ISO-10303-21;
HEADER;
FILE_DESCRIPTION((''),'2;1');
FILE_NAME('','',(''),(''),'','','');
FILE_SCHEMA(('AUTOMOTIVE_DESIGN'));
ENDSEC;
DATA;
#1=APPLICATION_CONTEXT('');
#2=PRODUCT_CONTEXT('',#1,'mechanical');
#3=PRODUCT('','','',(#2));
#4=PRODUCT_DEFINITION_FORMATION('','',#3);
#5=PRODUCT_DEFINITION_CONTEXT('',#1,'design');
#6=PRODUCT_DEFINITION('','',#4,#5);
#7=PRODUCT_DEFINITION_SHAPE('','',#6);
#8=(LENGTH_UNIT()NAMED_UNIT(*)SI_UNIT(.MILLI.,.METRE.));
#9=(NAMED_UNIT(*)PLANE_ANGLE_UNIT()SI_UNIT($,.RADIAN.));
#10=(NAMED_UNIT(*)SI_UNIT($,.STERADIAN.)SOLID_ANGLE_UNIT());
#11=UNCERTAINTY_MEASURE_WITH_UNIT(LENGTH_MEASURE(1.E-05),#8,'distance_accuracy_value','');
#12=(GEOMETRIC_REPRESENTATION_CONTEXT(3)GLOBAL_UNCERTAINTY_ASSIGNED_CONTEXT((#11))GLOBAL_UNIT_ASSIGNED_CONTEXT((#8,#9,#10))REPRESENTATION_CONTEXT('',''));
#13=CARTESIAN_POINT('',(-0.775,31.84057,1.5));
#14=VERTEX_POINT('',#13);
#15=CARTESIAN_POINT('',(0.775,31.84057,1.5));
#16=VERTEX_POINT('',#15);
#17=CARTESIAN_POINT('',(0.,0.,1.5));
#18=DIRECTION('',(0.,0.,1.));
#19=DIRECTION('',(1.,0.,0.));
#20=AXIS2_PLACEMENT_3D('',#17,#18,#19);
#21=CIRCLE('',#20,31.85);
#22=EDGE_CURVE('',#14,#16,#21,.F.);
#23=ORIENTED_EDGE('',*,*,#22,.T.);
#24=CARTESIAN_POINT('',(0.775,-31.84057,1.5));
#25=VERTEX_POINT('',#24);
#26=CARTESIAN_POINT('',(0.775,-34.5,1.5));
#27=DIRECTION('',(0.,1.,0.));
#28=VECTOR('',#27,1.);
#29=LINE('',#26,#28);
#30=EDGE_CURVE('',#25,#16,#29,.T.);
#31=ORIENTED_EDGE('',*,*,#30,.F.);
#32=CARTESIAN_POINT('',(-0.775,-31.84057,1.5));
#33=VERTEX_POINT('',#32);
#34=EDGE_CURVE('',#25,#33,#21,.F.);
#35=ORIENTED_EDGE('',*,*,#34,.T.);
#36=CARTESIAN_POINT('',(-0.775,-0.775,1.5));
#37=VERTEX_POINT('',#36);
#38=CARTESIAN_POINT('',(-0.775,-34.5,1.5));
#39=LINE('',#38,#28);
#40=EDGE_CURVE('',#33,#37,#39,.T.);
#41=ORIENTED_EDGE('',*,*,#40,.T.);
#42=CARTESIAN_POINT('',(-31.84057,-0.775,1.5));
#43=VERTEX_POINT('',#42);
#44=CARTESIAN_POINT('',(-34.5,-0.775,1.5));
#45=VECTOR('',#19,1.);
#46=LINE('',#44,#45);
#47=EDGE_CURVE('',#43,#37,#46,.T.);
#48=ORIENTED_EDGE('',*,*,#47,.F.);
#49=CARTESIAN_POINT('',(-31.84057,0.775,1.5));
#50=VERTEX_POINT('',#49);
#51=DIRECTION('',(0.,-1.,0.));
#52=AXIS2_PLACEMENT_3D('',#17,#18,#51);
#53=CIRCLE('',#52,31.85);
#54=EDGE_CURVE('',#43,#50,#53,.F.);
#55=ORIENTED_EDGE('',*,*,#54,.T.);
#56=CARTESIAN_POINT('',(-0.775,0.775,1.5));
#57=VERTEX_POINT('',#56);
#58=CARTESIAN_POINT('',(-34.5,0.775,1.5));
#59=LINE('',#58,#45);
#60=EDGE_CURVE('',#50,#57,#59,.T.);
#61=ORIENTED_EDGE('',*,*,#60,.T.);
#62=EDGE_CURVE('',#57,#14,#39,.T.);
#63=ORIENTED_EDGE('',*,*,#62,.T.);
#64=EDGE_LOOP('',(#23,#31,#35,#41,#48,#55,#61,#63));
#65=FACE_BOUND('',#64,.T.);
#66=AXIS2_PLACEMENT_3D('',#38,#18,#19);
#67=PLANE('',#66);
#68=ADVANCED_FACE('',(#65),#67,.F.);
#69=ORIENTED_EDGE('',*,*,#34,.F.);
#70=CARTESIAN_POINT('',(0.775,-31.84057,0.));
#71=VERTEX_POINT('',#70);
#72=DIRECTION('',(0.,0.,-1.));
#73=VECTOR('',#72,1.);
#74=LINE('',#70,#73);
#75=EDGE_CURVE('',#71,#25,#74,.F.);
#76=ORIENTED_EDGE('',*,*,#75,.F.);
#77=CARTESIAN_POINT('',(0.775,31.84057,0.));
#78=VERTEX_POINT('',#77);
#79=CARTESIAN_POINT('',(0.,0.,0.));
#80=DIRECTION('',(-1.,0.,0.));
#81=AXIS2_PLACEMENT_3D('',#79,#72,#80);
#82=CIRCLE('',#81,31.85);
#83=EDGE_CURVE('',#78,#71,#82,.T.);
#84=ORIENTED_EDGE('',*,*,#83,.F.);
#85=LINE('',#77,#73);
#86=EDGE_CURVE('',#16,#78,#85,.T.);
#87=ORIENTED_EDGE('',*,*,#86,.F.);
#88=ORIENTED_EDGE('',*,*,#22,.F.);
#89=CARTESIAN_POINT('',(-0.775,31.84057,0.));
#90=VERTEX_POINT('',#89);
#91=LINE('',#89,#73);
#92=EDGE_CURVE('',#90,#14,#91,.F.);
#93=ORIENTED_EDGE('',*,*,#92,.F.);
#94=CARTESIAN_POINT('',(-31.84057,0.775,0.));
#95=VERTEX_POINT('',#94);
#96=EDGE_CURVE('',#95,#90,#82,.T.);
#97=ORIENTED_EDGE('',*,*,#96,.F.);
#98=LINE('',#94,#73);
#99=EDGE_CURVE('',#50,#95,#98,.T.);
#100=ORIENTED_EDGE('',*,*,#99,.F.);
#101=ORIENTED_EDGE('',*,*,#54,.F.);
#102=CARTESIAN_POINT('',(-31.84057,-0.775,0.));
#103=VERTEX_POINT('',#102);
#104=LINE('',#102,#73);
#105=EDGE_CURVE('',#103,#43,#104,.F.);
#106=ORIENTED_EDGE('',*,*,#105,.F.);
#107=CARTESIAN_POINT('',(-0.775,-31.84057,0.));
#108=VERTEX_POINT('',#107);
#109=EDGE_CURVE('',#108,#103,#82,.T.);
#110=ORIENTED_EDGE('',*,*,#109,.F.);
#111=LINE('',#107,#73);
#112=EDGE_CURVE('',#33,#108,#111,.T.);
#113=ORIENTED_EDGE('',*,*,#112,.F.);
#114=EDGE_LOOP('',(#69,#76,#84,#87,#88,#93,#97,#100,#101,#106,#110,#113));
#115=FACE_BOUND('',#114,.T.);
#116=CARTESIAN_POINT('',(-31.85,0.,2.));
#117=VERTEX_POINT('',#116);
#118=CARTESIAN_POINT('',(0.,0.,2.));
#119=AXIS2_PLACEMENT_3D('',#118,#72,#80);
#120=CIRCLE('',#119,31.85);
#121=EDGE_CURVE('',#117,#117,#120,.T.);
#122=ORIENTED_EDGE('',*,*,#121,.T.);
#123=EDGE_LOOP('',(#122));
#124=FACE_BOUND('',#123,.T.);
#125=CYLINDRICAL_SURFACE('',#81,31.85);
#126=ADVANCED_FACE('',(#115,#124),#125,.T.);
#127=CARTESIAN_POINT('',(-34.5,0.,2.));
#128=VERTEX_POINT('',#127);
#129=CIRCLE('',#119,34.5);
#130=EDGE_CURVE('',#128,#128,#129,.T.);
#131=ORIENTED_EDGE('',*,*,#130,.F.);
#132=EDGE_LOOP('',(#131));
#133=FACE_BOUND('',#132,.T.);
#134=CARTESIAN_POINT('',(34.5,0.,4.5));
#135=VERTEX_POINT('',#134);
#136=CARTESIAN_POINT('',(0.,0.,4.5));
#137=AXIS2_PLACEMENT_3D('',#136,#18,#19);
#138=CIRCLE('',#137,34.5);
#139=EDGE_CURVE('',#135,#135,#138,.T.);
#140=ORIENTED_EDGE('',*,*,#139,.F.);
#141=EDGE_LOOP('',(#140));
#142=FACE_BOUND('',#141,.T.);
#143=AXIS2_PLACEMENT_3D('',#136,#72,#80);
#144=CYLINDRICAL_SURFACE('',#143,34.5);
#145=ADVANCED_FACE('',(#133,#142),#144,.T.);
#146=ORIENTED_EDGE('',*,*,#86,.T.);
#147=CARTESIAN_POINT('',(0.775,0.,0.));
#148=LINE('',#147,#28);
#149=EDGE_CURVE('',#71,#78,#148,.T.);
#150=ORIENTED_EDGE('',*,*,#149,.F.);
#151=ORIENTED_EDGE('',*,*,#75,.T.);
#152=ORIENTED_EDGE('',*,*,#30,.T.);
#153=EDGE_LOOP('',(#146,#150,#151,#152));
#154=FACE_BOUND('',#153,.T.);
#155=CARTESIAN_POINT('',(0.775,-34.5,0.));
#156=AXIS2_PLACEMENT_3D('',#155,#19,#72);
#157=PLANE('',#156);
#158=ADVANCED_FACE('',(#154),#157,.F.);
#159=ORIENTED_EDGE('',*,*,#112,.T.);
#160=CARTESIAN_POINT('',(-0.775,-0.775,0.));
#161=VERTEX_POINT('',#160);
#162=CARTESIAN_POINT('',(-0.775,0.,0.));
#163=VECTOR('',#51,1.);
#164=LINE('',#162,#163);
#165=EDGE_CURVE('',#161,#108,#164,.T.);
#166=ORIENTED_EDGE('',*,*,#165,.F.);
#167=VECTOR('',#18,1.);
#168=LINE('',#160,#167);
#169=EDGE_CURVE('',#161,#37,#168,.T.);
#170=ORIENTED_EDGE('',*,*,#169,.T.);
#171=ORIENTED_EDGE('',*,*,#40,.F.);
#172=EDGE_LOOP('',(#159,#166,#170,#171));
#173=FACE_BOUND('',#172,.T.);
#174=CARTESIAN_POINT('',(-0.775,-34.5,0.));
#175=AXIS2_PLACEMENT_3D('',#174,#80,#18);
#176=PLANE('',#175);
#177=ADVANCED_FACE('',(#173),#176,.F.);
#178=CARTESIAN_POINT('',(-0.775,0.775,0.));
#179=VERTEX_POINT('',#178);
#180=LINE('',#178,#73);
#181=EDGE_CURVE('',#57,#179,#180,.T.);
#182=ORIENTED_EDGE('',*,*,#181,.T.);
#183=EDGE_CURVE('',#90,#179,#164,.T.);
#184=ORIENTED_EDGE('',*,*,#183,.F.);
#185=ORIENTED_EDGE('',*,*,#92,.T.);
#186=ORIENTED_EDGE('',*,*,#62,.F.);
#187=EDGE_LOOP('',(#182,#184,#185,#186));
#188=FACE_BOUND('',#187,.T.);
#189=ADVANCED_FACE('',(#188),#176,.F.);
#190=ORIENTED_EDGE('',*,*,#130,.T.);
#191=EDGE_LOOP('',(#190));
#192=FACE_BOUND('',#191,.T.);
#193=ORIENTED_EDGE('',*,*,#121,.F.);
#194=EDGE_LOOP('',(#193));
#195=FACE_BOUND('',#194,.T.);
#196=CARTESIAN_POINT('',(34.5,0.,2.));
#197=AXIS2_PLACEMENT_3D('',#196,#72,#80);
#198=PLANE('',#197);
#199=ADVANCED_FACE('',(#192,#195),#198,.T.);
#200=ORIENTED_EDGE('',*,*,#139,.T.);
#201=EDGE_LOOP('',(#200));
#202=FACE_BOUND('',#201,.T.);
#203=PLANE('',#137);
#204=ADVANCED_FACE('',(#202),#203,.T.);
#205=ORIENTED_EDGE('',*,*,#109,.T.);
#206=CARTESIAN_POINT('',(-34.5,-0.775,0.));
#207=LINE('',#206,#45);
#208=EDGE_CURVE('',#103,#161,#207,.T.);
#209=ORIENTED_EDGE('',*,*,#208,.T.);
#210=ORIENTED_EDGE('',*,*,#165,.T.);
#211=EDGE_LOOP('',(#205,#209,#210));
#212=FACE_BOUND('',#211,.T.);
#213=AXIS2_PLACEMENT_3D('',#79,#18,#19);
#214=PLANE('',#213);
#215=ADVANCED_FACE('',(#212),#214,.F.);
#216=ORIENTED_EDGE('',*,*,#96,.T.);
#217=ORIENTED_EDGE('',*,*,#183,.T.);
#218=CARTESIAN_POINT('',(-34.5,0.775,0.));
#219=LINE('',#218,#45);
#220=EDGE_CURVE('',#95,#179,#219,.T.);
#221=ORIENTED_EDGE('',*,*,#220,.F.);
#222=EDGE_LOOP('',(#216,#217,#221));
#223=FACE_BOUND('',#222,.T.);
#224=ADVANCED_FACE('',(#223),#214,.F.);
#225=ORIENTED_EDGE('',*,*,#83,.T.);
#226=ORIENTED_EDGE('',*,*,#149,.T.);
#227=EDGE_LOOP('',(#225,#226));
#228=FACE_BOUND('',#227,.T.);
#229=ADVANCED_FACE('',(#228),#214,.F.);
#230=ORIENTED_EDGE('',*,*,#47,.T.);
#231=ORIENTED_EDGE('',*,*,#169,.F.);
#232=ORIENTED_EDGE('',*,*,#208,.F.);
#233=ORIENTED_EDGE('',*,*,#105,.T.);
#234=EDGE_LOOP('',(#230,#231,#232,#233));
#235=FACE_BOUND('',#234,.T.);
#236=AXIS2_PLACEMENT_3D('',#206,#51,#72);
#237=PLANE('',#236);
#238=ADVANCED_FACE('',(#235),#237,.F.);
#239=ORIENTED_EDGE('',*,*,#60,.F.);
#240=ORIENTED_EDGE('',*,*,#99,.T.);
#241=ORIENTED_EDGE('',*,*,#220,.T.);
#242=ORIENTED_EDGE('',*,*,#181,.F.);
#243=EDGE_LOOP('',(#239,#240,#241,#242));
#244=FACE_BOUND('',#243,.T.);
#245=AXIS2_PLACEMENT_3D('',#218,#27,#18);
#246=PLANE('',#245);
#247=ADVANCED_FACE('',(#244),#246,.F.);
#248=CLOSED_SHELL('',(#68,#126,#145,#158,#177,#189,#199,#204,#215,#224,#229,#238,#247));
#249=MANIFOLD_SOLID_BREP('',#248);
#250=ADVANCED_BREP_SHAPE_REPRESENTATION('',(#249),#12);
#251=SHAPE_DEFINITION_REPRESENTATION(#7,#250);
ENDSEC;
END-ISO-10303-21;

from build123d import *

# Parameters (mm, degrees)
SKETCH1_R               = 34.5
BOSS_EXTRUDE1_DEPTH     = 4.5
SKETCH2_W               = 2.65
SKETCH2_H               = 2
CUT_EXTRUDE1_DEPTH      = 49.997448913
CUT_EXTRUDE1_DEPTH_BACK = 49.997448913
SKETCH4_W               = 1.55
SKETCH4_H               = 1.5
SKETCH6_W               = 1.5
SKETCH6_H               = 1.55
CUT_EXTRUDE2_DEPTH      = 49.997448913


with BuildPart() as part:
    # Sketch1 → Boss-Extrude1 (new body)
    with BuildSketch(Plane.XY):
        Circle(SKETCH1_R)
    extrude(amount=BOSS_EXTRUDE1_DEPTH)

    # Sketch2 → Cut-Revolve1 (revolve, cut)
    with BuildSketch(Plane(origin=(0, 0, 0), x_dir=(1, 0, 0), z_dir=(0, 1, 0)), mode=Mode.PRIVATE) as cut_revolve1_sk:
        with Locations((33.175, -1)):
            Rectangle(SKETCH2_W, SKETCH2_H)
    revolve(cut_revolve1_sk.sketch.rotate(Axis((0, 0, 0), (0, 0, 1)), 180), axis=Axis((0, 0, 0), (0, 0, 1)), mode=Mode.SUBTRACT)

    # Sketch4 → Cut-Extrude1 (cut, two sides: drawn at the far end of the back side and taken through both)
    with BuildSketch(Plane(origin=(0, 0, 0), x_dir=(1, 0, 0), z_dir=(0, 1, 0)).offset(-CUT_EXTRUDE1_DEPTH_BACK)):
        with Locations((0, -0.75)):
            Rectangle(SKETCH4_W, SKETCH4_H)
    extrude(amount=CUT_EXTRUDE1_DEPTH + CUT_EXTRUDE1_DEPTH_BACK, mode=Mode.SUBTRACT)

    # Sketch6 → Cut-Extrude2 (cut, through all)
    with BuildSketch(Plane(origin=(0, 0, 0), x_dir=(0, 0, -1), z_dir=(1, 0, 0))):
        with Locations((-0.75, 0)):
            Rectangle(SKETCH6_W, SKETCH6_H)
    extrude(amount=-CUT_EXTRUDE2_DEPTH, mode=Mode.SUBTRACT)


solid = part.part
